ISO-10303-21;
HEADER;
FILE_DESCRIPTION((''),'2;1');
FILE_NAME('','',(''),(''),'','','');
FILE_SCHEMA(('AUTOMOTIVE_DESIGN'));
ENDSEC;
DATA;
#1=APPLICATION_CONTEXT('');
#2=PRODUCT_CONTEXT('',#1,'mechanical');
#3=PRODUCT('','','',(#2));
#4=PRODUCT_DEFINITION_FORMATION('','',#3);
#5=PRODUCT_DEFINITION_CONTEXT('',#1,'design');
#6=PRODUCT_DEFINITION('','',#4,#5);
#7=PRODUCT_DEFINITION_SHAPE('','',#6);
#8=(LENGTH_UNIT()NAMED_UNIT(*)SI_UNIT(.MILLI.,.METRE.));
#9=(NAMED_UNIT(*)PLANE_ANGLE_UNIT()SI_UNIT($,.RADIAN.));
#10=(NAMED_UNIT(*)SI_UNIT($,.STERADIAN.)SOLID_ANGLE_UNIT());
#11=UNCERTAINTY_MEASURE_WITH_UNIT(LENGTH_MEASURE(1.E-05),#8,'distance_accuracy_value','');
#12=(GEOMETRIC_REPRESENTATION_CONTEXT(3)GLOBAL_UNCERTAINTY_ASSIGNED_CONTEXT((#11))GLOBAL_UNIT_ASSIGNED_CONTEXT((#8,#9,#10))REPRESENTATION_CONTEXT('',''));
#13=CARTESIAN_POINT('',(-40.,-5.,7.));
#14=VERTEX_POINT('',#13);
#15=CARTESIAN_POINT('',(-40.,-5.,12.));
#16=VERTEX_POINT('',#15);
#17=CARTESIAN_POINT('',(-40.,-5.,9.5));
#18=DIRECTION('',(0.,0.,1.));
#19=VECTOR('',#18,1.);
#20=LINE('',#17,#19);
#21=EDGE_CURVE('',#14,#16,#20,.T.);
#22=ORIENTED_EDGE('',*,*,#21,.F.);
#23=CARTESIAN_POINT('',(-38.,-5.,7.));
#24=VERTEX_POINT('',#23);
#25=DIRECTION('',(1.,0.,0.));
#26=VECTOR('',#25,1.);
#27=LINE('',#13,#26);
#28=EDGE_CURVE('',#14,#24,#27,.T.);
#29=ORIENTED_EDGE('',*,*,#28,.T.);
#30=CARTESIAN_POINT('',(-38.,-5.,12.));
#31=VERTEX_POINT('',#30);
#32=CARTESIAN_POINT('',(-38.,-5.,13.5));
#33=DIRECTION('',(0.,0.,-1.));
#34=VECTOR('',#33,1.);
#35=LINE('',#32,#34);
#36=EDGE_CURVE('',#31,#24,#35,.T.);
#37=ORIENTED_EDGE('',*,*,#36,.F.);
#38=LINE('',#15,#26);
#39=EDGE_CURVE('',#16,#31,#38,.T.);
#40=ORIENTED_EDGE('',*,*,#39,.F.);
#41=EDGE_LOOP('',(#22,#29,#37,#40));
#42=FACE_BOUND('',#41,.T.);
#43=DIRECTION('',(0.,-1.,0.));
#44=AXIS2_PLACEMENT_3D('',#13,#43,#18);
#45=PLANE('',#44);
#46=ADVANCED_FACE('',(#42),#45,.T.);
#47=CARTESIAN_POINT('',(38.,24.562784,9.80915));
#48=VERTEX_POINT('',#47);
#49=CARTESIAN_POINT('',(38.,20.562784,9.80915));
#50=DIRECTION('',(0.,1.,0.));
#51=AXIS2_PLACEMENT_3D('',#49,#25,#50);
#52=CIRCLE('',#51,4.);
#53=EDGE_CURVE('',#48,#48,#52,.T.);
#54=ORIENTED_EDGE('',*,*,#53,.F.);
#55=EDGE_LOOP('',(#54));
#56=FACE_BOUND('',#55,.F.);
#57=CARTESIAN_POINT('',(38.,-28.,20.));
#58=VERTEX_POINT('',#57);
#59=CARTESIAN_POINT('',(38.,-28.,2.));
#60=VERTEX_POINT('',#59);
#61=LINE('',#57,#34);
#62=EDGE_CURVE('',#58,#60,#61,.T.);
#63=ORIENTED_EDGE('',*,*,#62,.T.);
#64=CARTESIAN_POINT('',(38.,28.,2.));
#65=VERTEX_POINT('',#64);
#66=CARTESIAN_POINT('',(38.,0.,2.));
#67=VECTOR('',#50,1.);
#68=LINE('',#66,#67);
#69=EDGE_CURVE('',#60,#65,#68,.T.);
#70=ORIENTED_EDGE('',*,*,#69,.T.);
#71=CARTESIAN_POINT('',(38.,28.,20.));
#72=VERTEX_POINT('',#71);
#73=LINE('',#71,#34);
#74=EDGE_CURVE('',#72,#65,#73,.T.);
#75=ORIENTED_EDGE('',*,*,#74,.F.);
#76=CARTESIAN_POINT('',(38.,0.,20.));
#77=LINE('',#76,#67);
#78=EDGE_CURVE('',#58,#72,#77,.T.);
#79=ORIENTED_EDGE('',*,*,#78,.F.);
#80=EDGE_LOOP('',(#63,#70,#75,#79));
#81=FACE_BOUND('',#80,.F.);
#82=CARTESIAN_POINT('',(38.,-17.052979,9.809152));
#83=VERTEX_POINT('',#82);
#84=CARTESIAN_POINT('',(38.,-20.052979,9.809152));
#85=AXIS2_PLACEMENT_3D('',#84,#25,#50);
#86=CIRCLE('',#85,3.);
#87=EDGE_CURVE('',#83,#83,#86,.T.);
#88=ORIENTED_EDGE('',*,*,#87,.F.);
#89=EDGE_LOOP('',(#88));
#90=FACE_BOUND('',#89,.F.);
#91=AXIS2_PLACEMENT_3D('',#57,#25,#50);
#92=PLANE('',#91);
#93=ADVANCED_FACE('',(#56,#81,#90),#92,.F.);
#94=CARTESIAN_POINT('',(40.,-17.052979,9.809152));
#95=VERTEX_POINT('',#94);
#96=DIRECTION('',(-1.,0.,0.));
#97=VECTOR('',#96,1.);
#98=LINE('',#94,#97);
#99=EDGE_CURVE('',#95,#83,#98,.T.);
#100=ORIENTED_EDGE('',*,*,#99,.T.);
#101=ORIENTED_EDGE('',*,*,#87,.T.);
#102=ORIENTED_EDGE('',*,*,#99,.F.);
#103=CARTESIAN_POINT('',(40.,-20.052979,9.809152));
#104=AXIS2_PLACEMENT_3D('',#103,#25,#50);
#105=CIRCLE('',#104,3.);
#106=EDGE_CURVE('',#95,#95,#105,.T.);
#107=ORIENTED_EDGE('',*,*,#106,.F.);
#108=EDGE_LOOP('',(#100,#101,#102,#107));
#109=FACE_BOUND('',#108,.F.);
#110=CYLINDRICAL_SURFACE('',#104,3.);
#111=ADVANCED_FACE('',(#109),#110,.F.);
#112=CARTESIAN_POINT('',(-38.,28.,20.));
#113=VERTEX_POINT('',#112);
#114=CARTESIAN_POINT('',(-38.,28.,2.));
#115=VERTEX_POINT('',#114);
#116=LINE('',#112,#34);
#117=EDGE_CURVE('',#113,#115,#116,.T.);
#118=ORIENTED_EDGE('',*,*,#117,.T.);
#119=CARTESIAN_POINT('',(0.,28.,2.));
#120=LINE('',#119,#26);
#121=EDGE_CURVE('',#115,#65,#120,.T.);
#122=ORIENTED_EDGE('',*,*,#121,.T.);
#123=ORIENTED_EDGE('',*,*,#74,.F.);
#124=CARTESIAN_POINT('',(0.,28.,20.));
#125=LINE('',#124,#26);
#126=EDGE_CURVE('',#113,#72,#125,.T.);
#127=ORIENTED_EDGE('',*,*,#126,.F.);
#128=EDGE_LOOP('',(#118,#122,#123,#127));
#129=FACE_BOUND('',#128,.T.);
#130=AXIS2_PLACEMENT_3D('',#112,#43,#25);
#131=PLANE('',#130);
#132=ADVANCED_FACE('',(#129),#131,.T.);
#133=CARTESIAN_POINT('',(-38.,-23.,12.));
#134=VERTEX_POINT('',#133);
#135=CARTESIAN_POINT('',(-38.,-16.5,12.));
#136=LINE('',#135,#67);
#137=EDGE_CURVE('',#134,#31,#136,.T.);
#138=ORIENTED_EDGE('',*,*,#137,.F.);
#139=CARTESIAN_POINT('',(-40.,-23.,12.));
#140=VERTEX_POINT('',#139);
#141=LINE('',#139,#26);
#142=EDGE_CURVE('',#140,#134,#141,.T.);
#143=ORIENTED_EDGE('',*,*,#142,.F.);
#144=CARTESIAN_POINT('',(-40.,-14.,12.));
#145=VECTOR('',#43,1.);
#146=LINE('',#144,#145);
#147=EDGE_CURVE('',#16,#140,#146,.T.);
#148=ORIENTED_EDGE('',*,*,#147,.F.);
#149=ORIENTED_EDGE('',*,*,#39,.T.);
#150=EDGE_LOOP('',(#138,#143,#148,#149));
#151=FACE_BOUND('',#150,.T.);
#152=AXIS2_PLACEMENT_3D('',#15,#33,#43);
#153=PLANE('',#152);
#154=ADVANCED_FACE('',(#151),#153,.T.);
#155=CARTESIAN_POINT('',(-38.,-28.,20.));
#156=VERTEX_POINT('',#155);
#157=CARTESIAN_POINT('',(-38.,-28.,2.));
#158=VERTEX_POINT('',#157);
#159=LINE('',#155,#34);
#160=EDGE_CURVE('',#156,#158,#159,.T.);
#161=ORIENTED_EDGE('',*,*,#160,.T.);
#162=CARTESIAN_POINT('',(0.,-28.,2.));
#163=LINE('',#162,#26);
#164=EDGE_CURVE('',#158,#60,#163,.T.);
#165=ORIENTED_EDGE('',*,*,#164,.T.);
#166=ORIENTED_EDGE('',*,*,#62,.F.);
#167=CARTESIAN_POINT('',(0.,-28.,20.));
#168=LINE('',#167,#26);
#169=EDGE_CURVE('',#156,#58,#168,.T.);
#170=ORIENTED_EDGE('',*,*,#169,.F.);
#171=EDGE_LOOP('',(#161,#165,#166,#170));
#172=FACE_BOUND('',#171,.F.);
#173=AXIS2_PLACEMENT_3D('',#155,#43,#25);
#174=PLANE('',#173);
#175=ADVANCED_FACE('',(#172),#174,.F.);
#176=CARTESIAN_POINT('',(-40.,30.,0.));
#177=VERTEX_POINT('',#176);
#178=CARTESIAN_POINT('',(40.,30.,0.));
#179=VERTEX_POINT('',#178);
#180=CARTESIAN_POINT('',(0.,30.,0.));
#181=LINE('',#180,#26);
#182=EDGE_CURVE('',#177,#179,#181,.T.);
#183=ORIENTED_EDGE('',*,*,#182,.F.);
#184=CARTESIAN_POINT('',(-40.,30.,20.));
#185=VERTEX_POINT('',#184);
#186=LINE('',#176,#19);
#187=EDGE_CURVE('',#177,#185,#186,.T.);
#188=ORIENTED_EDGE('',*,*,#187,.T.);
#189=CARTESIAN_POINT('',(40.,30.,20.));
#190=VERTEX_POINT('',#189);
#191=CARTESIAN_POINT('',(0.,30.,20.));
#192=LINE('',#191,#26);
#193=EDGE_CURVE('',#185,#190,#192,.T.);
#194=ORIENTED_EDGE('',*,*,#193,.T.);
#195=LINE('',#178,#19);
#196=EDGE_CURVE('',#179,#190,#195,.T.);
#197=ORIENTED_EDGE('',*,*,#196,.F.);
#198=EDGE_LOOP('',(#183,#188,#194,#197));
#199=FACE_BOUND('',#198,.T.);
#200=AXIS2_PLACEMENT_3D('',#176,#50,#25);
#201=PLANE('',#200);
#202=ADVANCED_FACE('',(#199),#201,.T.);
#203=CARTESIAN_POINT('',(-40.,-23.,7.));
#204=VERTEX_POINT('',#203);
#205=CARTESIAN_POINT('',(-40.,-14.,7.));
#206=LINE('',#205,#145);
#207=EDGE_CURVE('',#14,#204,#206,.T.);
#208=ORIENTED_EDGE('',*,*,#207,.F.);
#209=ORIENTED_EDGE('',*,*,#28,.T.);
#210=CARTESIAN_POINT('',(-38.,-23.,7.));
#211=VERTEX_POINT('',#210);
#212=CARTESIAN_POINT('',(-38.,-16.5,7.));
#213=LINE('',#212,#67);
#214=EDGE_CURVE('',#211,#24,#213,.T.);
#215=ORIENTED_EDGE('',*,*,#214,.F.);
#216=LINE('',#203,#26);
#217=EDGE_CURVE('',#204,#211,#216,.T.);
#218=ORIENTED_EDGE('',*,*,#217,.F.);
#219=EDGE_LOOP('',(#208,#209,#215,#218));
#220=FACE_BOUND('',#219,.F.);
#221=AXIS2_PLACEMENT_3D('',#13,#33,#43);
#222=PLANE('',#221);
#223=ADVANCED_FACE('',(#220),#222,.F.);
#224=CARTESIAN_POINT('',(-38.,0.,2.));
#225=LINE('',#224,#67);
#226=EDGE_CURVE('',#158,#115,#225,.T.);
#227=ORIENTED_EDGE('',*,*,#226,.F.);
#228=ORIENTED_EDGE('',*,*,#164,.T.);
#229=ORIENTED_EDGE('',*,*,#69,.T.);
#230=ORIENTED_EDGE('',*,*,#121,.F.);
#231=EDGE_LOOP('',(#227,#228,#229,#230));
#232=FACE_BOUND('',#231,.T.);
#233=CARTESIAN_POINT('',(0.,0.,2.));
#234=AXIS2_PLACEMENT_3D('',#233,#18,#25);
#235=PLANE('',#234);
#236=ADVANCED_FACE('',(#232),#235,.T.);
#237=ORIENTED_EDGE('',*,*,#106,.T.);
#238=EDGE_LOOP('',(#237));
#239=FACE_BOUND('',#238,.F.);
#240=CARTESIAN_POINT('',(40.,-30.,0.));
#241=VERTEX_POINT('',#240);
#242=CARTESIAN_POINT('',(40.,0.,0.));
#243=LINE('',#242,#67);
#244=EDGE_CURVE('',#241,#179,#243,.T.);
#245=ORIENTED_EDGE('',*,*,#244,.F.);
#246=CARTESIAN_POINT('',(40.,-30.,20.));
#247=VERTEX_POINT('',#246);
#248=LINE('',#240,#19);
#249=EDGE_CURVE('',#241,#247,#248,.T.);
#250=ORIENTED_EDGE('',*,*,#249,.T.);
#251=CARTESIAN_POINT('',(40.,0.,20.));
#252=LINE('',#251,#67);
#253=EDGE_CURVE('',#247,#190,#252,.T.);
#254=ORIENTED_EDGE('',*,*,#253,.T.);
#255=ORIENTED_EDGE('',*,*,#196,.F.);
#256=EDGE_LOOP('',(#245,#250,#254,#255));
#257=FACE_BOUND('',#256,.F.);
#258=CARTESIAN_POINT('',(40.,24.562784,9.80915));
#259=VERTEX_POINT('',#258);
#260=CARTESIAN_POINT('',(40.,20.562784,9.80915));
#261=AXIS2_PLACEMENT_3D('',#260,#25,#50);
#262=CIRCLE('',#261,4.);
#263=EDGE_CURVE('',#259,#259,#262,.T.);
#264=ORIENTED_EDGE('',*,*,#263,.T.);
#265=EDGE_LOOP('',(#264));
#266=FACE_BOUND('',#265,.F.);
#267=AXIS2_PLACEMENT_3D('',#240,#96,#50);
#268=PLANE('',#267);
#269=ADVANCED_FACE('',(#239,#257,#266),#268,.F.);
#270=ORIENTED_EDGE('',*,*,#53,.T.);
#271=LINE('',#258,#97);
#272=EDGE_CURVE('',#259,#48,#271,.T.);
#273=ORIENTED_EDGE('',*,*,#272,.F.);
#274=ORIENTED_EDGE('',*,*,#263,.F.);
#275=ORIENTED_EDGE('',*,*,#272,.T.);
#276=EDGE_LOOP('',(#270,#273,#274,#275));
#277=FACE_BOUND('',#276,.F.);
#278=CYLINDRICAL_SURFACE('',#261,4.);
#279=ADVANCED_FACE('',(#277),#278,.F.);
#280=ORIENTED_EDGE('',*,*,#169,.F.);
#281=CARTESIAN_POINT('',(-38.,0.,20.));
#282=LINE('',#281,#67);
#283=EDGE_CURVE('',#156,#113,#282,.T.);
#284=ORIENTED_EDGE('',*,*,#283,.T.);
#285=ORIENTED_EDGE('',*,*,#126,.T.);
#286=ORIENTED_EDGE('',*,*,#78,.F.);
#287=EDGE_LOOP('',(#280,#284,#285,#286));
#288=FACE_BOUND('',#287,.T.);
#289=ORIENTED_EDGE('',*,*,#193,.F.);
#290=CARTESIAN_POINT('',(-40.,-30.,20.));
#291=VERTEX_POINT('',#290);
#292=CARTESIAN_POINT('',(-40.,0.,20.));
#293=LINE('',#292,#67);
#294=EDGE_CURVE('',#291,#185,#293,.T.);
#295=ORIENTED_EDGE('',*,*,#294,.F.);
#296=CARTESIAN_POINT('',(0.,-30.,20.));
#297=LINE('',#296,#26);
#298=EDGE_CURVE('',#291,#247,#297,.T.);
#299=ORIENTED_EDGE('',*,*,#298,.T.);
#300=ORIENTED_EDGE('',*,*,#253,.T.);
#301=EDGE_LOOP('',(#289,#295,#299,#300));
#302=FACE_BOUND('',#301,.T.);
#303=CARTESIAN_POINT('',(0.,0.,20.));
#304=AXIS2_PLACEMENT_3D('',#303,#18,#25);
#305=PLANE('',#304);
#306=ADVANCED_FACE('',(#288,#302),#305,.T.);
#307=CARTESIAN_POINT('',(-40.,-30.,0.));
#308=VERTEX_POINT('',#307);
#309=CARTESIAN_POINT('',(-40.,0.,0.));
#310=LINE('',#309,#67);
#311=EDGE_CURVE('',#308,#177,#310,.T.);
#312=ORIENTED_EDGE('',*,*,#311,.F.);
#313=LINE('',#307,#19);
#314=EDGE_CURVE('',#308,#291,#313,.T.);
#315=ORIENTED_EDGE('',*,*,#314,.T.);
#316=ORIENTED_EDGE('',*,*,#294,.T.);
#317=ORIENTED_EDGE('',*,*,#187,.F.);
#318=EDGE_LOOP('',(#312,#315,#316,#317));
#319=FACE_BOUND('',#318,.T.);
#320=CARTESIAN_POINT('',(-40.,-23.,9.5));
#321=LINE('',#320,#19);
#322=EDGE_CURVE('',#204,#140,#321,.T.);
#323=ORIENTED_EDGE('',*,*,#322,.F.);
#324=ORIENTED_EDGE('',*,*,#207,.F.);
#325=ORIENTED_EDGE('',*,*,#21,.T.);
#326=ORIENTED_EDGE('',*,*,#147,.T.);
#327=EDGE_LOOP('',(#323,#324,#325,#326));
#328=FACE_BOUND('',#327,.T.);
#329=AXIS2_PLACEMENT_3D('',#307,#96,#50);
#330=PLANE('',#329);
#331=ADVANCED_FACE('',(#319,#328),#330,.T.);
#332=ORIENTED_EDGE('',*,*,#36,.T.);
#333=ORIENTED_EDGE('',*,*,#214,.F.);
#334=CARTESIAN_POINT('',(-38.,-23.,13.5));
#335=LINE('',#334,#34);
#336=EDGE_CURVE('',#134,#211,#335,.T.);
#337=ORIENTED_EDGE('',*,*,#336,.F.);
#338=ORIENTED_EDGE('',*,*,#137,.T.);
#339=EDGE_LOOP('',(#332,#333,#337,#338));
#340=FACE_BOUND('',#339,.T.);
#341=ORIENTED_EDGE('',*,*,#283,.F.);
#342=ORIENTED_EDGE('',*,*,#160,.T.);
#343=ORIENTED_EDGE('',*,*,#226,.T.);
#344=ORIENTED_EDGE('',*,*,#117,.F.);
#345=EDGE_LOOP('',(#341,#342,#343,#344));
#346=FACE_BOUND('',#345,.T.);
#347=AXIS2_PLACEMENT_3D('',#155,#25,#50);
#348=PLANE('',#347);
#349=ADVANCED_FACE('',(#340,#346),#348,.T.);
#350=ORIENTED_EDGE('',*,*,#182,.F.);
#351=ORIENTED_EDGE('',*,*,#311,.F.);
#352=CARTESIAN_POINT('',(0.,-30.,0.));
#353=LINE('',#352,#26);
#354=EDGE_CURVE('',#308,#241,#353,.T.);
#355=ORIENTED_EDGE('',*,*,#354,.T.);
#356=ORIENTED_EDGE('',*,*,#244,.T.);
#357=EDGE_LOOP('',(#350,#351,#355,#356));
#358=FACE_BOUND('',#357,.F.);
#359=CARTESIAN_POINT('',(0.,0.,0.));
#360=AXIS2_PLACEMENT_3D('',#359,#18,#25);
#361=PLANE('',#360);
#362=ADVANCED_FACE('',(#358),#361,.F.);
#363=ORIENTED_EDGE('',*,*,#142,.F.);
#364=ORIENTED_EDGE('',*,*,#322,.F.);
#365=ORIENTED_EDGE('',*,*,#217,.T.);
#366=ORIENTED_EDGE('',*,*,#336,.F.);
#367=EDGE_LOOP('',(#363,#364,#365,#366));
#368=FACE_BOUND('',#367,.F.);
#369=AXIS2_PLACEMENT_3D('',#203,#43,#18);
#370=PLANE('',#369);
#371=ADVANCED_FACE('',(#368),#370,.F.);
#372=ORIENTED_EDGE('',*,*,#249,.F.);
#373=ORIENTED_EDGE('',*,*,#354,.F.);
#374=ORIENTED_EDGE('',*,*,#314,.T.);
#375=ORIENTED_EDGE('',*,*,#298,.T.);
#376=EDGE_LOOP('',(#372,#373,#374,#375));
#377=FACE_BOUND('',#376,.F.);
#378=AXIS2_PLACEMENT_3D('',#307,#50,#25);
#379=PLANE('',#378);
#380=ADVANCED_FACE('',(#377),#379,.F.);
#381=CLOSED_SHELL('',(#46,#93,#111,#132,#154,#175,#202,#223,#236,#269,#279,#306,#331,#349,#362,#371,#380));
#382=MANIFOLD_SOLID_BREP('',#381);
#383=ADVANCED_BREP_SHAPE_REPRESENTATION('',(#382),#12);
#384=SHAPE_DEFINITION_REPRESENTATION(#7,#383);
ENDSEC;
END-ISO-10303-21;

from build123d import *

# Parameters (mm, degrees)
SKETCH_W        = 80
SKETCH_H        = 60
PAD_DEPTH       = 20
SKETCH001_W     = 76
SKETCH001_H     = 56
POCKET_DEPTH    = 18
SKETCH002_W     = 18
SKETCH002_H     = 5
POCKET001_DEPTH = 5
SKETCH003_R     = 4
SKETCH003_R_2   = 3
POCKET002_DEPTH = 5


with BuildPart() as part:
    # Sketch → Pad (new body)
    with BuildSketch(Plane.XY):
        Rectangle(SKETCH_W, SKETCH_H)
    extrude(amount=PAD_DEPTH)

    # Sketch001 (on Face6 of Pad) → Pocket (cut)
    with BuildSketch(Plane.XY.offset(20)):
        Rectangle(SKETCH001_W, SKETCH001_H)
    extrude(amount=-POCKET_DEPTH, mode=Mode.SUBTRACT)

    # Sketch002 (on Face2 of Pocket) → Pocket001 (cut)
    with BuildSketch(Plane(origin=(-40, 0, 0), x_dir=(0, -1, 0), z_dir=(-1, 0, 0))):
        with Locations((14, 9.5)):
            Rectangle(SKETCH002_W, SKETCH002_H)
    extrude(amount=-POCKET001_DEPTH, mode=Mode.SUBTRACT)

    # Sketch003 (on Face3 of Pocket001) → Pocket002 (cut)
    with BuildSketch(Plane.YZ.offset(40)):
        with Locations((20.562784, 9.80915)):
            Circle(SKETCH003_R)
        with Locations((-20.052979, 9.809152)):
            Circle(SKETCH003_R_2)
    extrude(amount=-POCKET002_DEPTH, mode=Mode.SUBTRACT)


solid = part.part
